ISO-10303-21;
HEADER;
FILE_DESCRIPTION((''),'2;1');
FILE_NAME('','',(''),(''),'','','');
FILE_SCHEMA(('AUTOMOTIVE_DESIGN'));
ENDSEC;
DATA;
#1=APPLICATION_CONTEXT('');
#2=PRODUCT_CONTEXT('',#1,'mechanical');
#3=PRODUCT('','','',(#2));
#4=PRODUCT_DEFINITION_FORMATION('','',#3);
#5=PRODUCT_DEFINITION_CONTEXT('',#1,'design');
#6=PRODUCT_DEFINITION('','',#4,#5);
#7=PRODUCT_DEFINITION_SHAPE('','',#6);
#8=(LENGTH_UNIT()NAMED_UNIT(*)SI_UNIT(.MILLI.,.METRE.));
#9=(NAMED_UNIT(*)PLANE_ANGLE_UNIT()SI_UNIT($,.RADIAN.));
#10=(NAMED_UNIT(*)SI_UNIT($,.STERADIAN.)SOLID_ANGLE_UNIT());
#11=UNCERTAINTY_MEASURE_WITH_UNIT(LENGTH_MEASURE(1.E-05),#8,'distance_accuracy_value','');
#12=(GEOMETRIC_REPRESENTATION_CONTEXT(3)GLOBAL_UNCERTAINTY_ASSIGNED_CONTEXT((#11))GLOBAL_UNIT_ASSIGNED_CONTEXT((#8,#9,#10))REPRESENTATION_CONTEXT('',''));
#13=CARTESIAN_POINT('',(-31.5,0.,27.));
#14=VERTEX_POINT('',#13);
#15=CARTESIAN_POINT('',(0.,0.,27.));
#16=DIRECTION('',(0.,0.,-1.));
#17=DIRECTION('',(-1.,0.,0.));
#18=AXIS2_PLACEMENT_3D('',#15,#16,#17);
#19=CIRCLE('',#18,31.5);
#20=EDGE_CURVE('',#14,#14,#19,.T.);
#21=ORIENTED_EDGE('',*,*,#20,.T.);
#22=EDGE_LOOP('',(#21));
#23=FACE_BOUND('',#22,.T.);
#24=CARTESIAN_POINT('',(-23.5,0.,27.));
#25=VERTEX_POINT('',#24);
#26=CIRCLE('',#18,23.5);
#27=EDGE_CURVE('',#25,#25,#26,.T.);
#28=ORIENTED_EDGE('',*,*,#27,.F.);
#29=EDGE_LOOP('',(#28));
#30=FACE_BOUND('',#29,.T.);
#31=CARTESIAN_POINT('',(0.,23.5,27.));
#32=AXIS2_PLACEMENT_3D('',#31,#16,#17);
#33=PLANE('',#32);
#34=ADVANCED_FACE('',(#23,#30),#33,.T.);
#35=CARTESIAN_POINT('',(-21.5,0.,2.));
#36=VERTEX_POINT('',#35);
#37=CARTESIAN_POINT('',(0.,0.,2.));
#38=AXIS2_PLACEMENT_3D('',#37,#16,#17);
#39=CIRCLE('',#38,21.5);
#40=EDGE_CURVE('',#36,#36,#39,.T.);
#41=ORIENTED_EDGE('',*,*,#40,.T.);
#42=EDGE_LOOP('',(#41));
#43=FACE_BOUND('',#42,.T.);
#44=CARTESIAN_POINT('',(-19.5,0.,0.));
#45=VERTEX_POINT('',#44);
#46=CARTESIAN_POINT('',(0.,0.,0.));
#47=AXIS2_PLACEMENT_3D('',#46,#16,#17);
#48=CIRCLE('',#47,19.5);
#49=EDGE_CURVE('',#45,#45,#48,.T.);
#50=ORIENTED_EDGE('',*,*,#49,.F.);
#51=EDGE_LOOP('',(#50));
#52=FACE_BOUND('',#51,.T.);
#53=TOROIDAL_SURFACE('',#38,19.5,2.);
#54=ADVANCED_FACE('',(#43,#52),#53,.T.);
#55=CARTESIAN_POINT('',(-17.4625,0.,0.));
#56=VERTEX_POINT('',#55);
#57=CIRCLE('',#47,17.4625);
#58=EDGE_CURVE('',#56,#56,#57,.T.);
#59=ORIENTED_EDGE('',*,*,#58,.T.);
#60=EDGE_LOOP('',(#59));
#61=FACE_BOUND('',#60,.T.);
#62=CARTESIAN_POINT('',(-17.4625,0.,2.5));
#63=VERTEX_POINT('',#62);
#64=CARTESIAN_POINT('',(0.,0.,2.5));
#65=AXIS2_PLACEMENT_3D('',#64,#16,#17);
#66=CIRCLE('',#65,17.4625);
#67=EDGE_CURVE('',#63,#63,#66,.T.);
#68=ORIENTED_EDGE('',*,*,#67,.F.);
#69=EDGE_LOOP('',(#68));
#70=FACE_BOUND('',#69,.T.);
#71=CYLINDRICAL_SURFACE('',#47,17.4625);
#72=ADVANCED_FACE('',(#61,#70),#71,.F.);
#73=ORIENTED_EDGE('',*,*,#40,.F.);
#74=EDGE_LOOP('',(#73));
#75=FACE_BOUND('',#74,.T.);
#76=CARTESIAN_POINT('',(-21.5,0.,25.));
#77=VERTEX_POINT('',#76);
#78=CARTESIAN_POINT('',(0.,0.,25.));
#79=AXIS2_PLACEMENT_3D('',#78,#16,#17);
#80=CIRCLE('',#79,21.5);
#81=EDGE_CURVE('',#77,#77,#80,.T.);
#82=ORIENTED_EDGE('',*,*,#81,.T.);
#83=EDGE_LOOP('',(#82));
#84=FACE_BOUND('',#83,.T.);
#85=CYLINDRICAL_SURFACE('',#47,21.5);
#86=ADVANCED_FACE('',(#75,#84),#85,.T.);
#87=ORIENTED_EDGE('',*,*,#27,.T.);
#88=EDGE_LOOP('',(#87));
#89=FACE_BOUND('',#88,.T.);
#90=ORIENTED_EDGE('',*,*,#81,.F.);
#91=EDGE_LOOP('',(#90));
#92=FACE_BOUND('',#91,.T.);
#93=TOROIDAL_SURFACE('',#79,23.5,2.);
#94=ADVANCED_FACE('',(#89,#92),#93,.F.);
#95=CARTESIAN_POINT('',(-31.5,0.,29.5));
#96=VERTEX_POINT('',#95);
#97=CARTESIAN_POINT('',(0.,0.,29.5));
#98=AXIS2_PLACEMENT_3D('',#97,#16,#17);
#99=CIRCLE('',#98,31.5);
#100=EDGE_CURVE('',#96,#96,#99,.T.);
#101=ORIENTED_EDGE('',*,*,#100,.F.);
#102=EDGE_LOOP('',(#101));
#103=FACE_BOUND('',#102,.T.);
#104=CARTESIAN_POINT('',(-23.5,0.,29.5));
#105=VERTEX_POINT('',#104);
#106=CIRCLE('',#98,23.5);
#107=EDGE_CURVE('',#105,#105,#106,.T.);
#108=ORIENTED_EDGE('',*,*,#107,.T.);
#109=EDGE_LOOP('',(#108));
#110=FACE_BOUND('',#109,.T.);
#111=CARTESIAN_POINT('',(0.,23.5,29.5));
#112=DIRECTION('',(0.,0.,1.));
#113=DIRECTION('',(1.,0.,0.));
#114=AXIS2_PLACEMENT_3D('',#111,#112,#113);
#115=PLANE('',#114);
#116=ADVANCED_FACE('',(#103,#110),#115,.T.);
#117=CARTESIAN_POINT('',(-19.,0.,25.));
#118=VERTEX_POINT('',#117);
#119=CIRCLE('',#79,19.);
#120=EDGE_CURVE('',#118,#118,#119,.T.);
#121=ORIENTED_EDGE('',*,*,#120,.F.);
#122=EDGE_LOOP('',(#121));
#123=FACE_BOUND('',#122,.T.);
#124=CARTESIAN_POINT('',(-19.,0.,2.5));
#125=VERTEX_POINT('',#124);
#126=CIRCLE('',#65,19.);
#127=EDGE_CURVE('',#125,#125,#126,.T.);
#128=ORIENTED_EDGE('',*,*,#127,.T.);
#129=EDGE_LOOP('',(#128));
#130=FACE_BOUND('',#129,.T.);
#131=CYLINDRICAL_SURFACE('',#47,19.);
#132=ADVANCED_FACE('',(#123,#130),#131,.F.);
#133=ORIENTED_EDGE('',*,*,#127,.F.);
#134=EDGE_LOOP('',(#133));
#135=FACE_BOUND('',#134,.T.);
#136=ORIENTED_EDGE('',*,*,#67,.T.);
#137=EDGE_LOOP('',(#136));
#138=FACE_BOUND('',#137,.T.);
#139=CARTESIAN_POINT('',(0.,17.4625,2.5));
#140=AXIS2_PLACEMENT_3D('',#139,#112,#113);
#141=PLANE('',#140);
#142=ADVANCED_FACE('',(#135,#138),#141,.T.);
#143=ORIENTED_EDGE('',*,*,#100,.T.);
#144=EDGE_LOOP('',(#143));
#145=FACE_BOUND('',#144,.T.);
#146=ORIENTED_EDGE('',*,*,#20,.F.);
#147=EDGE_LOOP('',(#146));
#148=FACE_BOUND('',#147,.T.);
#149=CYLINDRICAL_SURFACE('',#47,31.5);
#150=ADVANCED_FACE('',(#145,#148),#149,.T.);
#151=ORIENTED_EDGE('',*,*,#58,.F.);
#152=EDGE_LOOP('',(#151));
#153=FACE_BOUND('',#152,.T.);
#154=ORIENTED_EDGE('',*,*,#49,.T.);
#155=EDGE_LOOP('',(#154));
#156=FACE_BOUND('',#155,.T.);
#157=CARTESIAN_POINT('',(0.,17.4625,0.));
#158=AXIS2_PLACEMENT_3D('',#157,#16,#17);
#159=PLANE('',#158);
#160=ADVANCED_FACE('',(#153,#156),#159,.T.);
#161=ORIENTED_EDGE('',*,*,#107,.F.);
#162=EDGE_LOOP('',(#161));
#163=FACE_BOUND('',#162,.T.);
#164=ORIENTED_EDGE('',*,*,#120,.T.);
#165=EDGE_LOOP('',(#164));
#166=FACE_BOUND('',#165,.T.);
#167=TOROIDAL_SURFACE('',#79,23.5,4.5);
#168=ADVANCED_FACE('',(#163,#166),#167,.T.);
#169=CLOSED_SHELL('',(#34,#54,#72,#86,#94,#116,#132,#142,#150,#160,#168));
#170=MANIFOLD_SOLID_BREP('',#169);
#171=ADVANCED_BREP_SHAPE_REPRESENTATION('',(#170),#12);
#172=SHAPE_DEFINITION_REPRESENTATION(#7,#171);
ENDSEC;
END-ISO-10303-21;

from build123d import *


with BuildPart() as part:
    # Sketch1 → Revolve1 (revolve)
    with BuildSketch(Plane(origin=(0, 0, 0), x_dir=(0, 0, -1), z_dir=(1, 0, 0)), mode=Mode.PRIVATE) as revolve1_sk:
        with BuildLine():
            Line((0, 17.4625), (0, 19.5))
            ThreePointArc((0, 19.5), (-0.585786438, 20.914213562), (-2, 21.5))
            Line((-2, 21.5), (-25, 21.5))
            ThreePointArc((-25, 21.5), (-26.414213562, 22.085786438), (-27, 23.5))
            Line((-27, 23.5), (-27, 31.5))
            Line((-27, 31.5), (-29.5, 31.5))
            Line((-29.5, 31.5), (-29.5, 23.5))
            ThreePointArc((-29.5, 23.5), (-28.181980515, 20.318019485), (-25, 19))
            Line((-25, 19), (-2.5, 19))
            Line((-2.5, 19), (-2.5, 17.4625))
            Line((-2.5, 17.4625), (0, 17.4625))
        make_face()
    revolve(revolve1_sk.sketch.rotate(Axis((0, 0, 0), (0, 0, 1)), 90), axis=Axis((0, 0, 0), (0, 0, 1)))


solid = part.part
